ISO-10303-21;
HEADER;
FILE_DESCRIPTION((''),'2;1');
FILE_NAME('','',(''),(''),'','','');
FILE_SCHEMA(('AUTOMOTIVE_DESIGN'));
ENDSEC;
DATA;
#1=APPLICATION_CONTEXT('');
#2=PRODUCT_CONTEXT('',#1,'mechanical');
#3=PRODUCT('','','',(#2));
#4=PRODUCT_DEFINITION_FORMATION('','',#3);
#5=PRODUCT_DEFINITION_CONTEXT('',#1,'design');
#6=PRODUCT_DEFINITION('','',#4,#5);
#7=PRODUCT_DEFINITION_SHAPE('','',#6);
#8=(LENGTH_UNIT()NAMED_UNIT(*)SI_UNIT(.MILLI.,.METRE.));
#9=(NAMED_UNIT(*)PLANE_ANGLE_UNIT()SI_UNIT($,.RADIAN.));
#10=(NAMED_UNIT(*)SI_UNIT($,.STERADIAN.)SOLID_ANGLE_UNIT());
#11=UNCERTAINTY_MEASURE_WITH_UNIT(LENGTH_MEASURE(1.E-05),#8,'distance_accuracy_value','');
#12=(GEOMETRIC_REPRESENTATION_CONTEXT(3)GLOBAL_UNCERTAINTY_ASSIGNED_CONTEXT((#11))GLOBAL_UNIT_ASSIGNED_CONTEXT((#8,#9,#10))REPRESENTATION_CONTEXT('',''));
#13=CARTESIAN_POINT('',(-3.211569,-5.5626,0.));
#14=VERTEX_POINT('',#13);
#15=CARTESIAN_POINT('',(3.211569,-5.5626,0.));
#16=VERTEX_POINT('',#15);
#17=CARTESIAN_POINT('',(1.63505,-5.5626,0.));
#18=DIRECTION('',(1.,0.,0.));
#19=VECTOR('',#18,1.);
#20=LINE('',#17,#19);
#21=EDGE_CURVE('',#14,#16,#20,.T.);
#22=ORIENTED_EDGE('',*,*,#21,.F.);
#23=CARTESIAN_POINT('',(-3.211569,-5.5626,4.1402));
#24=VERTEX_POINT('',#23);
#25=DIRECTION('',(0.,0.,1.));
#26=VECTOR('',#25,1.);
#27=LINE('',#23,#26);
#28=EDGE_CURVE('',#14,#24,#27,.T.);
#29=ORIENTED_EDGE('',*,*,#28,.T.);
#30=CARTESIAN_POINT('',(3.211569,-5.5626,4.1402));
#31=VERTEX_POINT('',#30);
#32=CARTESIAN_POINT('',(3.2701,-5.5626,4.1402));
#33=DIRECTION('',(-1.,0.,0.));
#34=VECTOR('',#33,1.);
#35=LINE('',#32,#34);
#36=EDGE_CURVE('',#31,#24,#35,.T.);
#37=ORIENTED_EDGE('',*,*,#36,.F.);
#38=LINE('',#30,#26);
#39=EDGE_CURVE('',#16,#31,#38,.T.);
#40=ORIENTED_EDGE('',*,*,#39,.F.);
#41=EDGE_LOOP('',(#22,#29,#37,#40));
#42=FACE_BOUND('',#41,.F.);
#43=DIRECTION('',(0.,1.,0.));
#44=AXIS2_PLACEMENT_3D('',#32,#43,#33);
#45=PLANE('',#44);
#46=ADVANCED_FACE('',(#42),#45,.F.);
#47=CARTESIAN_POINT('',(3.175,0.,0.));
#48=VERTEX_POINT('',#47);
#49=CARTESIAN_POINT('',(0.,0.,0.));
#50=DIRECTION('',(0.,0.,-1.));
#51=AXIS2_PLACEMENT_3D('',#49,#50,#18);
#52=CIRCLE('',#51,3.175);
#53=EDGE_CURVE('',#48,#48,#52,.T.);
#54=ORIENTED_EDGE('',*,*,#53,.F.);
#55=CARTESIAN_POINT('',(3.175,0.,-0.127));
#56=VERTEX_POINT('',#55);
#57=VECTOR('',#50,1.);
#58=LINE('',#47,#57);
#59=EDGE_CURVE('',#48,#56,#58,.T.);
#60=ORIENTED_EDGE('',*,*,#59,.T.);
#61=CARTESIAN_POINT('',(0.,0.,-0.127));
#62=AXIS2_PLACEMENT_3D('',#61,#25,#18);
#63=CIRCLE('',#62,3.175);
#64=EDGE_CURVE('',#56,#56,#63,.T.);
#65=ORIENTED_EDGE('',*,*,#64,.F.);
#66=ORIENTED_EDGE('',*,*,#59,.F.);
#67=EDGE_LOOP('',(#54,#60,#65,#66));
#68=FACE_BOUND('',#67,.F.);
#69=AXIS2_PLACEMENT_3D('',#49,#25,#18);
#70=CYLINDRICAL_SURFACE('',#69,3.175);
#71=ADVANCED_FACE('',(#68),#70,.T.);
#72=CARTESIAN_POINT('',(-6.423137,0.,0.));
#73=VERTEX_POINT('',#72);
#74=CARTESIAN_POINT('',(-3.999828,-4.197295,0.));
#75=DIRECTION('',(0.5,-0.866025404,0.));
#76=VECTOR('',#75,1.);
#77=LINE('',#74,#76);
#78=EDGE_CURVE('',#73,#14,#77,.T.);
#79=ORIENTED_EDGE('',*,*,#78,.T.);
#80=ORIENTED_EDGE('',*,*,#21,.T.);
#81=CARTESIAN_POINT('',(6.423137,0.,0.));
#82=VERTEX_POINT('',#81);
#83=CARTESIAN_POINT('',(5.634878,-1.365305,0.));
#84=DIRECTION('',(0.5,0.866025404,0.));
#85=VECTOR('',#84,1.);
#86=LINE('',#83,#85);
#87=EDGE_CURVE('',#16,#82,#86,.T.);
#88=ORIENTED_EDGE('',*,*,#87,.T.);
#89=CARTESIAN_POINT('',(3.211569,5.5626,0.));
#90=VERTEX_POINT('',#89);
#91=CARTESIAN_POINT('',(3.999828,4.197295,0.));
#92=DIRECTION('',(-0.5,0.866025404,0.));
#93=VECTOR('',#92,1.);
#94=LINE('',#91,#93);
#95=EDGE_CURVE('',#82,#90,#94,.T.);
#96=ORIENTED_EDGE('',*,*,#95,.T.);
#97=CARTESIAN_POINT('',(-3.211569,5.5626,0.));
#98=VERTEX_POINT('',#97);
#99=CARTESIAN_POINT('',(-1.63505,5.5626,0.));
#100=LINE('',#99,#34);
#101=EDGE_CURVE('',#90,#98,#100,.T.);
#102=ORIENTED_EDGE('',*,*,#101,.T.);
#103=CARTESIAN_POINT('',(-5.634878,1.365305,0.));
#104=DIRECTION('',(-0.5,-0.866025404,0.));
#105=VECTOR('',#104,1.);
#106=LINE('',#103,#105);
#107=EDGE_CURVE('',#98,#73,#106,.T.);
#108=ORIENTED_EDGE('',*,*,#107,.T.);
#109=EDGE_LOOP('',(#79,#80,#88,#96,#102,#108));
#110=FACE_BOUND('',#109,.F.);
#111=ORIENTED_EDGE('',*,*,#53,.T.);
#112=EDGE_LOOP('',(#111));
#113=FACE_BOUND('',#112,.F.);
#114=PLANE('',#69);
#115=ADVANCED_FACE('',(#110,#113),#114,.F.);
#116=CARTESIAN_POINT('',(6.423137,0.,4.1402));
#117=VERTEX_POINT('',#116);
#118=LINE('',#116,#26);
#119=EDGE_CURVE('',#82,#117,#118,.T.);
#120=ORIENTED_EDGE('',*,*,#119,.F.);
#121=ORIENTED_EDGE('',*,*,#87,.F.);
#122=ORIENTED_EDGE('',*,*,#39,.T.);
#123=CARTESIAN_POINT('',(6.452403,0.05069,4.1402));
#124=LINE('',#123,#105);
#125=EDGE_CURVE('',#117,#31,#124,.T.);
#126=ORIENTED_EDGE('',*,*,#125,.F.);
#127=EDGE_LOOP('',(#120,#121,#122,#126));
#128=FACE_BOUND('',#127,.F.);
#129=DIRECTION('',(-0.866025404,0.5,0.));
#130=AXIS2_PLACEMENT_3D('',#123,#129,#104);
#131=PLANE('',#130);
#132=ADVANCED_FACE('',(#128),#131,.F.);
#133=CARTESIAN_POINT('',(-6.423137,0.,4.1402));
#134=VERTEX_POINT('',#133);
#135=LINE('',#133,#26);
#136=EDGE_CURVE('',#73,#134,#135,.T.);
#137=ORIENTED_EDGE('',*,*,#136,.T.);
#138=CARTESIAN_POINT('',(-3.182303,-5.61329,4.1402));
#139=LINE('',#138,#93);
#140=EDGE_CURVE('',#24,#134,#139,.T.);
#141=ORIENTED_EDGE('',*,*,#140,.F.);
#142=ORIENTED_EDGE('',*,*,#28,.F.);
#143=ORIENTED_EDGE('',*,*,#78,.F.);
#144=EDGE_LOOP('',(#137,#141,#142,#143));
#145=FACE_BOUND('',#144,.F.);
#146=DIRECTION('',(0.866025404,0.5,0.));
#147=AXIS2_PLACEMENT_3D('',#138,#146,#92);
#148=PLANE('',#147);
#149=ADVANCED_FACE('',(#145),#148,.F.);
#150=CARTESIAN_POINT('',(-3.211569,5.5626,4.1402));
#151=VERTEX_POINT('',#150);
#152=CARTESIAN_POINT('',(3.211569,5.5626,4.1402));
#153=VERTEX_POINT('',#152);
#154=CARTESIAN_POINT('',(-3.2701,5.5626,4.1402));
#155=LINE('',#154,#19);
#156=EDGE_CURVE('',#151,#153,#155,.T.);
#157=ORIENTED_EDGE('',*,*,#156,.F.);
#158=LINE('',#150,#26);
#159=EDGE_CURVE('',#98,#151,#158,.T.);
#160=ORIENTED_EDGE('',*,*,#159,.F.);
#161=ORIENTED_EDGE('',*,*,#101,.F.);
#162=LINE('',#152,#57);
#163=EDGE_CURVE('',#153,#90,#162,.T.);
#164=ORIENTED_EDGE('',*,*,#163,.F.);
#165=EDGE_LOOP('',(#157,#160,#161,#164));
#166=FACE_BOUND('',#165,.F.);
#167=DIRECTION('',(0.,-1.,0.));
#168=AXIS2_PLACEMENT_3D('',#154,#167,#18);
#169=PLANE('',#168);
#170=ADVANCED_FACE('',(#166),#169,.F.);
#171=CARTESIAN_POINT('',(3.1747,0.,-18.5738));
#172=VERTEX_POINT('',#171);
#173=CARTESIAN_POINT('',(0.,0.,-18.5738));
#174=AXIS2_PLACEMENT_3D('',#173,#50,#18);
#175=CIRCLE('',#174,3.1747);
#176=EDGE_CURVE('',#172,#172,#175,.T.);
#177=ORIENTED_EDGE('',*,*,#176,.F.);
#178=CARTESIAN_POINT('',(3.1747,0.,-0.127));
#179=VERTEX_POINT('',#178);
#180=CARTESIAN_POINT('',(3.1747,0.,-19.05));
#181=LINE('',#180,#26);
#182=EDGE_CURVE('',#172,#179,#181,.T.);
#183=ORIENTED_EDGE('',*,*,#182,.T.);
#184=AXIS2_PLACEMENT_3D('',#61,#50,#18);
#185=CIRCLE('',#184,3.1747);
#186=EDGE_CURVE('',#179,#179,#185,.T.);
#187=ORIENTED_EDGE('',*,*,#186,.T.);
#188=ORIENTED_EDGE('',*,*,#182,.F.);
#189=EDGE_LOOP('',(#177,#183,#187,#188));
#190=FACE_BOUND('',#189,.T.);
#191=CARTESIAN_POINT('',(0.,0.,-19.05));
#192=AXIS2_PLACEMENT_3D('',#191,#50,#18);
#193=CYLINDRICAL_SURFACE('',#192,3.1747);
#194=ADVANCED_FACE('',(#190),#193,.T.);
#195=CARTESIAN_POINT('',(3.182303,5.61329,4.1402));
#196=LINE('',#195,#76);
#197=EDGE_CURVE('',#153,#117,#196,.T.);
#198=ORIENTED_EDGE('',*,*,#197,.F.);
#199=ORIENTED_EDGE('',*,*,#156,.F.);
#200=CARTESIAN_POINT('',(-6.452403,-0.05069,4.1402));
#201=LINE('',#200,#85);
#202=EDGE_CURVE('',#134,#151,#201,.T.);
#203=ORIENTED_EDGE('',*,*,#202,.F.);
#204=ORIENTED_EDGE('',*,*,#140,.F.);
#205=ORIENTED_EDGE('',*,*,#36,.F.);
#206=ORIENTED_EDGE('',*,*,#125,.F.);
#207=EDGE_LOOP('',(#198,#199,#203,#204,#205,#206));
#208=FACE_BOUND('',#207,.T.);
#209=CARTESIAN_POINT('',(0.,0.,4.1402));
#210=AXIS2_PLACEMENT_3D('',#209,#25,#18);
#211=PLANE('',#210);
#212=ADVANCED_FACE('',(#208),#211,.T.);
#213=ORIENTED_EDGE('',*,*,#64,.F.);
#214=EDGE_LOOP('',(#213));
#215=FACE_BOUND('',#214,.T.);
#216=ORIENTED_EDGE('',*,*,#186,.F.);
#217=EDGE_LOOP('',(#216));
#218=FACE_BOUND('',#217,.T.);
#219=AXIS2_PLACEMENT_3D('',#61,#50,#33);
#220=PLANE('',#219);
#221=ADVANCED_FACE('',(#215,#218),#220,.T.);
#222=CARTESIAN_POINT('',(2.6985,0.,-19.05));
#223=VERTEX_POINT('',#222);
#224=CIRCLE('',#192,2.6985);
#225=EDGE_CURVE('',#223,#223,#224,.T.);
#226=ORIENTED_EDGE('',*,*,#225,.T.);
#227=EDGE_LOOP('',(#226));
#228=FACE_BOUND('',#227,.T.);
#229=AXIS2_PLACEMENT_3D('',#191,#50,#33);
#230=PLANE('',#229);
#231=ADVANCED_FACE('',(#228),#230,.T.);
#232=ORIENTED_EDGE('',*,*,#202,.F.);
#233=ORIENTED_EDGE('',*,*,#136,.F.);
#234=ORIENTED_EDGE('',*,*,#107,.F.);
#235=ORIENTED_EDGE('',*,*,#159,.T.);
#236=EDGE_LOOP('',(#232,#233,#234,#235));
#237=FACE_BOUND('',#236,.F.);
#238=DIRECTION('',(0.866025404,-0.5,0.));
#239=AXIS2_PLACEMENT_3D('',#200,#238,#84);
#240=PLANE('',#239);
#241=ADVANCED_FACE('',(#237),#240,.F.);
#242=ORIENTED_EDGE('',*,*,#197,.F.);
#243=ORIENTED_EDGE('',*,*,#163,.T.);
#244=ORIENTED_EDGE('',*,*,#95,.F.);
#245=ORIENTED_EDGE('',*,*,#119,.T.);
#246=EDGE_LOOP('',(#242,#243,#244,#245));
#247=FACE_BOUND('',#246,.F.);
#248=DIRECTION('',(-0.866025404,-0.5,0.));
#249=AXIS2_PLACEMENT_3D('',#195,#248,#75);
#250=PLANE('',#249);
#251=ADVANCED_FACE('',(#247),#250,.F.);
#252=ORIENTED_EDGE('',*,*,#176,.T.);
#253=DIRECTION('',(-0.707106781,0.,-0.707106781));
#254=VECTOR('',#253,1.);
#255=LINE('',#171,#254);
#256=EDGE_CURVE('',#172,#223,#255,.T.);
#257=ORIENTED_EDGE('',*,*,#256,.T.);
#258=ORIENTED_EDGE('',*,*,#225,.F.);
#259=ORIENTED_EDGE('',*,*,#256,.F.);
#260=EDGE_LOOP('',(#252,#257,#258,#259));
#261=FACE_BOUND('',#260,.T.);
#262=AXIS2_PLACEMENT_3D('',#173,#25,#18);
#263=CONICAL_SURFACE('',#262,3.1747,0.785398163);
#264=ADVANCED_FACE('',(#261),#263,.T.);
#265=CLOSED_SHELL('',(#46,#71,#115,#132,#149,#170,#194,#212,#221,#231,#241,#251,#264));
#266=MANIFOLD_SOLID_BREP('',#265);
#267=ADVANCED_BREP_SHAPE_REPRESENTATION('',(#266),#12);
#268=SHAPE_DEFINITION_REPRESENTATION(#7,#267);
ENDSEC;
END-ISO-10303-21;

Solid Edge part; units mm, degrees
sketch "Sketch1" plane through (0, 0, 0) normal (0, 0, 1) x (1, 0, 0)
  circle A0 centre (0, 0) radius 6.4526
  dimension "D1" = 12.9052
extrude "Protrusion1" add sketch "Sketch1" along normal blind 4.1402
sketch "Sketch2" plane through (0, 0, 0) normal (0, 0, -1) x (1, 0, 0)
  circle A0 centre (0, 0) radius 3.175
extrude "Protrusion2" add sketch "Sketch2" along normal blind 19.05
sketch "Sketch3" plane through (0, 0, -19.05) normal (0, 0, -1) x (1, 0, 0)
  circle A0 centre (0, 0) radius 3.1747
extrude "Cutout1" cut sketch "Sketch3" against normal blind 18.923 flip side to cut
chamfer "Chamfer_1" distance 0.4762 angle 45 1 edges at (-3.1747, 0, -19.05)
sketch "Sketch4" plane through (0, 0, 4.1402) normal (0, 0, 1) x (1, 0, 0)
  line L0 (-3.2701, 5.5626) -> (3.2701, 5.5626)
  dimension "D1" = 11.1252
extrude "Cutout2" cut sketch "Sketch4" against normal up to next material side at (0, 5.6126, 4.1402)
pattern_circular "Pattern1" count 6 over 360 about axis through (0, 0, 4.1402) along (0, 0, 1) of "Cutout2"
properties part number "24100001"
